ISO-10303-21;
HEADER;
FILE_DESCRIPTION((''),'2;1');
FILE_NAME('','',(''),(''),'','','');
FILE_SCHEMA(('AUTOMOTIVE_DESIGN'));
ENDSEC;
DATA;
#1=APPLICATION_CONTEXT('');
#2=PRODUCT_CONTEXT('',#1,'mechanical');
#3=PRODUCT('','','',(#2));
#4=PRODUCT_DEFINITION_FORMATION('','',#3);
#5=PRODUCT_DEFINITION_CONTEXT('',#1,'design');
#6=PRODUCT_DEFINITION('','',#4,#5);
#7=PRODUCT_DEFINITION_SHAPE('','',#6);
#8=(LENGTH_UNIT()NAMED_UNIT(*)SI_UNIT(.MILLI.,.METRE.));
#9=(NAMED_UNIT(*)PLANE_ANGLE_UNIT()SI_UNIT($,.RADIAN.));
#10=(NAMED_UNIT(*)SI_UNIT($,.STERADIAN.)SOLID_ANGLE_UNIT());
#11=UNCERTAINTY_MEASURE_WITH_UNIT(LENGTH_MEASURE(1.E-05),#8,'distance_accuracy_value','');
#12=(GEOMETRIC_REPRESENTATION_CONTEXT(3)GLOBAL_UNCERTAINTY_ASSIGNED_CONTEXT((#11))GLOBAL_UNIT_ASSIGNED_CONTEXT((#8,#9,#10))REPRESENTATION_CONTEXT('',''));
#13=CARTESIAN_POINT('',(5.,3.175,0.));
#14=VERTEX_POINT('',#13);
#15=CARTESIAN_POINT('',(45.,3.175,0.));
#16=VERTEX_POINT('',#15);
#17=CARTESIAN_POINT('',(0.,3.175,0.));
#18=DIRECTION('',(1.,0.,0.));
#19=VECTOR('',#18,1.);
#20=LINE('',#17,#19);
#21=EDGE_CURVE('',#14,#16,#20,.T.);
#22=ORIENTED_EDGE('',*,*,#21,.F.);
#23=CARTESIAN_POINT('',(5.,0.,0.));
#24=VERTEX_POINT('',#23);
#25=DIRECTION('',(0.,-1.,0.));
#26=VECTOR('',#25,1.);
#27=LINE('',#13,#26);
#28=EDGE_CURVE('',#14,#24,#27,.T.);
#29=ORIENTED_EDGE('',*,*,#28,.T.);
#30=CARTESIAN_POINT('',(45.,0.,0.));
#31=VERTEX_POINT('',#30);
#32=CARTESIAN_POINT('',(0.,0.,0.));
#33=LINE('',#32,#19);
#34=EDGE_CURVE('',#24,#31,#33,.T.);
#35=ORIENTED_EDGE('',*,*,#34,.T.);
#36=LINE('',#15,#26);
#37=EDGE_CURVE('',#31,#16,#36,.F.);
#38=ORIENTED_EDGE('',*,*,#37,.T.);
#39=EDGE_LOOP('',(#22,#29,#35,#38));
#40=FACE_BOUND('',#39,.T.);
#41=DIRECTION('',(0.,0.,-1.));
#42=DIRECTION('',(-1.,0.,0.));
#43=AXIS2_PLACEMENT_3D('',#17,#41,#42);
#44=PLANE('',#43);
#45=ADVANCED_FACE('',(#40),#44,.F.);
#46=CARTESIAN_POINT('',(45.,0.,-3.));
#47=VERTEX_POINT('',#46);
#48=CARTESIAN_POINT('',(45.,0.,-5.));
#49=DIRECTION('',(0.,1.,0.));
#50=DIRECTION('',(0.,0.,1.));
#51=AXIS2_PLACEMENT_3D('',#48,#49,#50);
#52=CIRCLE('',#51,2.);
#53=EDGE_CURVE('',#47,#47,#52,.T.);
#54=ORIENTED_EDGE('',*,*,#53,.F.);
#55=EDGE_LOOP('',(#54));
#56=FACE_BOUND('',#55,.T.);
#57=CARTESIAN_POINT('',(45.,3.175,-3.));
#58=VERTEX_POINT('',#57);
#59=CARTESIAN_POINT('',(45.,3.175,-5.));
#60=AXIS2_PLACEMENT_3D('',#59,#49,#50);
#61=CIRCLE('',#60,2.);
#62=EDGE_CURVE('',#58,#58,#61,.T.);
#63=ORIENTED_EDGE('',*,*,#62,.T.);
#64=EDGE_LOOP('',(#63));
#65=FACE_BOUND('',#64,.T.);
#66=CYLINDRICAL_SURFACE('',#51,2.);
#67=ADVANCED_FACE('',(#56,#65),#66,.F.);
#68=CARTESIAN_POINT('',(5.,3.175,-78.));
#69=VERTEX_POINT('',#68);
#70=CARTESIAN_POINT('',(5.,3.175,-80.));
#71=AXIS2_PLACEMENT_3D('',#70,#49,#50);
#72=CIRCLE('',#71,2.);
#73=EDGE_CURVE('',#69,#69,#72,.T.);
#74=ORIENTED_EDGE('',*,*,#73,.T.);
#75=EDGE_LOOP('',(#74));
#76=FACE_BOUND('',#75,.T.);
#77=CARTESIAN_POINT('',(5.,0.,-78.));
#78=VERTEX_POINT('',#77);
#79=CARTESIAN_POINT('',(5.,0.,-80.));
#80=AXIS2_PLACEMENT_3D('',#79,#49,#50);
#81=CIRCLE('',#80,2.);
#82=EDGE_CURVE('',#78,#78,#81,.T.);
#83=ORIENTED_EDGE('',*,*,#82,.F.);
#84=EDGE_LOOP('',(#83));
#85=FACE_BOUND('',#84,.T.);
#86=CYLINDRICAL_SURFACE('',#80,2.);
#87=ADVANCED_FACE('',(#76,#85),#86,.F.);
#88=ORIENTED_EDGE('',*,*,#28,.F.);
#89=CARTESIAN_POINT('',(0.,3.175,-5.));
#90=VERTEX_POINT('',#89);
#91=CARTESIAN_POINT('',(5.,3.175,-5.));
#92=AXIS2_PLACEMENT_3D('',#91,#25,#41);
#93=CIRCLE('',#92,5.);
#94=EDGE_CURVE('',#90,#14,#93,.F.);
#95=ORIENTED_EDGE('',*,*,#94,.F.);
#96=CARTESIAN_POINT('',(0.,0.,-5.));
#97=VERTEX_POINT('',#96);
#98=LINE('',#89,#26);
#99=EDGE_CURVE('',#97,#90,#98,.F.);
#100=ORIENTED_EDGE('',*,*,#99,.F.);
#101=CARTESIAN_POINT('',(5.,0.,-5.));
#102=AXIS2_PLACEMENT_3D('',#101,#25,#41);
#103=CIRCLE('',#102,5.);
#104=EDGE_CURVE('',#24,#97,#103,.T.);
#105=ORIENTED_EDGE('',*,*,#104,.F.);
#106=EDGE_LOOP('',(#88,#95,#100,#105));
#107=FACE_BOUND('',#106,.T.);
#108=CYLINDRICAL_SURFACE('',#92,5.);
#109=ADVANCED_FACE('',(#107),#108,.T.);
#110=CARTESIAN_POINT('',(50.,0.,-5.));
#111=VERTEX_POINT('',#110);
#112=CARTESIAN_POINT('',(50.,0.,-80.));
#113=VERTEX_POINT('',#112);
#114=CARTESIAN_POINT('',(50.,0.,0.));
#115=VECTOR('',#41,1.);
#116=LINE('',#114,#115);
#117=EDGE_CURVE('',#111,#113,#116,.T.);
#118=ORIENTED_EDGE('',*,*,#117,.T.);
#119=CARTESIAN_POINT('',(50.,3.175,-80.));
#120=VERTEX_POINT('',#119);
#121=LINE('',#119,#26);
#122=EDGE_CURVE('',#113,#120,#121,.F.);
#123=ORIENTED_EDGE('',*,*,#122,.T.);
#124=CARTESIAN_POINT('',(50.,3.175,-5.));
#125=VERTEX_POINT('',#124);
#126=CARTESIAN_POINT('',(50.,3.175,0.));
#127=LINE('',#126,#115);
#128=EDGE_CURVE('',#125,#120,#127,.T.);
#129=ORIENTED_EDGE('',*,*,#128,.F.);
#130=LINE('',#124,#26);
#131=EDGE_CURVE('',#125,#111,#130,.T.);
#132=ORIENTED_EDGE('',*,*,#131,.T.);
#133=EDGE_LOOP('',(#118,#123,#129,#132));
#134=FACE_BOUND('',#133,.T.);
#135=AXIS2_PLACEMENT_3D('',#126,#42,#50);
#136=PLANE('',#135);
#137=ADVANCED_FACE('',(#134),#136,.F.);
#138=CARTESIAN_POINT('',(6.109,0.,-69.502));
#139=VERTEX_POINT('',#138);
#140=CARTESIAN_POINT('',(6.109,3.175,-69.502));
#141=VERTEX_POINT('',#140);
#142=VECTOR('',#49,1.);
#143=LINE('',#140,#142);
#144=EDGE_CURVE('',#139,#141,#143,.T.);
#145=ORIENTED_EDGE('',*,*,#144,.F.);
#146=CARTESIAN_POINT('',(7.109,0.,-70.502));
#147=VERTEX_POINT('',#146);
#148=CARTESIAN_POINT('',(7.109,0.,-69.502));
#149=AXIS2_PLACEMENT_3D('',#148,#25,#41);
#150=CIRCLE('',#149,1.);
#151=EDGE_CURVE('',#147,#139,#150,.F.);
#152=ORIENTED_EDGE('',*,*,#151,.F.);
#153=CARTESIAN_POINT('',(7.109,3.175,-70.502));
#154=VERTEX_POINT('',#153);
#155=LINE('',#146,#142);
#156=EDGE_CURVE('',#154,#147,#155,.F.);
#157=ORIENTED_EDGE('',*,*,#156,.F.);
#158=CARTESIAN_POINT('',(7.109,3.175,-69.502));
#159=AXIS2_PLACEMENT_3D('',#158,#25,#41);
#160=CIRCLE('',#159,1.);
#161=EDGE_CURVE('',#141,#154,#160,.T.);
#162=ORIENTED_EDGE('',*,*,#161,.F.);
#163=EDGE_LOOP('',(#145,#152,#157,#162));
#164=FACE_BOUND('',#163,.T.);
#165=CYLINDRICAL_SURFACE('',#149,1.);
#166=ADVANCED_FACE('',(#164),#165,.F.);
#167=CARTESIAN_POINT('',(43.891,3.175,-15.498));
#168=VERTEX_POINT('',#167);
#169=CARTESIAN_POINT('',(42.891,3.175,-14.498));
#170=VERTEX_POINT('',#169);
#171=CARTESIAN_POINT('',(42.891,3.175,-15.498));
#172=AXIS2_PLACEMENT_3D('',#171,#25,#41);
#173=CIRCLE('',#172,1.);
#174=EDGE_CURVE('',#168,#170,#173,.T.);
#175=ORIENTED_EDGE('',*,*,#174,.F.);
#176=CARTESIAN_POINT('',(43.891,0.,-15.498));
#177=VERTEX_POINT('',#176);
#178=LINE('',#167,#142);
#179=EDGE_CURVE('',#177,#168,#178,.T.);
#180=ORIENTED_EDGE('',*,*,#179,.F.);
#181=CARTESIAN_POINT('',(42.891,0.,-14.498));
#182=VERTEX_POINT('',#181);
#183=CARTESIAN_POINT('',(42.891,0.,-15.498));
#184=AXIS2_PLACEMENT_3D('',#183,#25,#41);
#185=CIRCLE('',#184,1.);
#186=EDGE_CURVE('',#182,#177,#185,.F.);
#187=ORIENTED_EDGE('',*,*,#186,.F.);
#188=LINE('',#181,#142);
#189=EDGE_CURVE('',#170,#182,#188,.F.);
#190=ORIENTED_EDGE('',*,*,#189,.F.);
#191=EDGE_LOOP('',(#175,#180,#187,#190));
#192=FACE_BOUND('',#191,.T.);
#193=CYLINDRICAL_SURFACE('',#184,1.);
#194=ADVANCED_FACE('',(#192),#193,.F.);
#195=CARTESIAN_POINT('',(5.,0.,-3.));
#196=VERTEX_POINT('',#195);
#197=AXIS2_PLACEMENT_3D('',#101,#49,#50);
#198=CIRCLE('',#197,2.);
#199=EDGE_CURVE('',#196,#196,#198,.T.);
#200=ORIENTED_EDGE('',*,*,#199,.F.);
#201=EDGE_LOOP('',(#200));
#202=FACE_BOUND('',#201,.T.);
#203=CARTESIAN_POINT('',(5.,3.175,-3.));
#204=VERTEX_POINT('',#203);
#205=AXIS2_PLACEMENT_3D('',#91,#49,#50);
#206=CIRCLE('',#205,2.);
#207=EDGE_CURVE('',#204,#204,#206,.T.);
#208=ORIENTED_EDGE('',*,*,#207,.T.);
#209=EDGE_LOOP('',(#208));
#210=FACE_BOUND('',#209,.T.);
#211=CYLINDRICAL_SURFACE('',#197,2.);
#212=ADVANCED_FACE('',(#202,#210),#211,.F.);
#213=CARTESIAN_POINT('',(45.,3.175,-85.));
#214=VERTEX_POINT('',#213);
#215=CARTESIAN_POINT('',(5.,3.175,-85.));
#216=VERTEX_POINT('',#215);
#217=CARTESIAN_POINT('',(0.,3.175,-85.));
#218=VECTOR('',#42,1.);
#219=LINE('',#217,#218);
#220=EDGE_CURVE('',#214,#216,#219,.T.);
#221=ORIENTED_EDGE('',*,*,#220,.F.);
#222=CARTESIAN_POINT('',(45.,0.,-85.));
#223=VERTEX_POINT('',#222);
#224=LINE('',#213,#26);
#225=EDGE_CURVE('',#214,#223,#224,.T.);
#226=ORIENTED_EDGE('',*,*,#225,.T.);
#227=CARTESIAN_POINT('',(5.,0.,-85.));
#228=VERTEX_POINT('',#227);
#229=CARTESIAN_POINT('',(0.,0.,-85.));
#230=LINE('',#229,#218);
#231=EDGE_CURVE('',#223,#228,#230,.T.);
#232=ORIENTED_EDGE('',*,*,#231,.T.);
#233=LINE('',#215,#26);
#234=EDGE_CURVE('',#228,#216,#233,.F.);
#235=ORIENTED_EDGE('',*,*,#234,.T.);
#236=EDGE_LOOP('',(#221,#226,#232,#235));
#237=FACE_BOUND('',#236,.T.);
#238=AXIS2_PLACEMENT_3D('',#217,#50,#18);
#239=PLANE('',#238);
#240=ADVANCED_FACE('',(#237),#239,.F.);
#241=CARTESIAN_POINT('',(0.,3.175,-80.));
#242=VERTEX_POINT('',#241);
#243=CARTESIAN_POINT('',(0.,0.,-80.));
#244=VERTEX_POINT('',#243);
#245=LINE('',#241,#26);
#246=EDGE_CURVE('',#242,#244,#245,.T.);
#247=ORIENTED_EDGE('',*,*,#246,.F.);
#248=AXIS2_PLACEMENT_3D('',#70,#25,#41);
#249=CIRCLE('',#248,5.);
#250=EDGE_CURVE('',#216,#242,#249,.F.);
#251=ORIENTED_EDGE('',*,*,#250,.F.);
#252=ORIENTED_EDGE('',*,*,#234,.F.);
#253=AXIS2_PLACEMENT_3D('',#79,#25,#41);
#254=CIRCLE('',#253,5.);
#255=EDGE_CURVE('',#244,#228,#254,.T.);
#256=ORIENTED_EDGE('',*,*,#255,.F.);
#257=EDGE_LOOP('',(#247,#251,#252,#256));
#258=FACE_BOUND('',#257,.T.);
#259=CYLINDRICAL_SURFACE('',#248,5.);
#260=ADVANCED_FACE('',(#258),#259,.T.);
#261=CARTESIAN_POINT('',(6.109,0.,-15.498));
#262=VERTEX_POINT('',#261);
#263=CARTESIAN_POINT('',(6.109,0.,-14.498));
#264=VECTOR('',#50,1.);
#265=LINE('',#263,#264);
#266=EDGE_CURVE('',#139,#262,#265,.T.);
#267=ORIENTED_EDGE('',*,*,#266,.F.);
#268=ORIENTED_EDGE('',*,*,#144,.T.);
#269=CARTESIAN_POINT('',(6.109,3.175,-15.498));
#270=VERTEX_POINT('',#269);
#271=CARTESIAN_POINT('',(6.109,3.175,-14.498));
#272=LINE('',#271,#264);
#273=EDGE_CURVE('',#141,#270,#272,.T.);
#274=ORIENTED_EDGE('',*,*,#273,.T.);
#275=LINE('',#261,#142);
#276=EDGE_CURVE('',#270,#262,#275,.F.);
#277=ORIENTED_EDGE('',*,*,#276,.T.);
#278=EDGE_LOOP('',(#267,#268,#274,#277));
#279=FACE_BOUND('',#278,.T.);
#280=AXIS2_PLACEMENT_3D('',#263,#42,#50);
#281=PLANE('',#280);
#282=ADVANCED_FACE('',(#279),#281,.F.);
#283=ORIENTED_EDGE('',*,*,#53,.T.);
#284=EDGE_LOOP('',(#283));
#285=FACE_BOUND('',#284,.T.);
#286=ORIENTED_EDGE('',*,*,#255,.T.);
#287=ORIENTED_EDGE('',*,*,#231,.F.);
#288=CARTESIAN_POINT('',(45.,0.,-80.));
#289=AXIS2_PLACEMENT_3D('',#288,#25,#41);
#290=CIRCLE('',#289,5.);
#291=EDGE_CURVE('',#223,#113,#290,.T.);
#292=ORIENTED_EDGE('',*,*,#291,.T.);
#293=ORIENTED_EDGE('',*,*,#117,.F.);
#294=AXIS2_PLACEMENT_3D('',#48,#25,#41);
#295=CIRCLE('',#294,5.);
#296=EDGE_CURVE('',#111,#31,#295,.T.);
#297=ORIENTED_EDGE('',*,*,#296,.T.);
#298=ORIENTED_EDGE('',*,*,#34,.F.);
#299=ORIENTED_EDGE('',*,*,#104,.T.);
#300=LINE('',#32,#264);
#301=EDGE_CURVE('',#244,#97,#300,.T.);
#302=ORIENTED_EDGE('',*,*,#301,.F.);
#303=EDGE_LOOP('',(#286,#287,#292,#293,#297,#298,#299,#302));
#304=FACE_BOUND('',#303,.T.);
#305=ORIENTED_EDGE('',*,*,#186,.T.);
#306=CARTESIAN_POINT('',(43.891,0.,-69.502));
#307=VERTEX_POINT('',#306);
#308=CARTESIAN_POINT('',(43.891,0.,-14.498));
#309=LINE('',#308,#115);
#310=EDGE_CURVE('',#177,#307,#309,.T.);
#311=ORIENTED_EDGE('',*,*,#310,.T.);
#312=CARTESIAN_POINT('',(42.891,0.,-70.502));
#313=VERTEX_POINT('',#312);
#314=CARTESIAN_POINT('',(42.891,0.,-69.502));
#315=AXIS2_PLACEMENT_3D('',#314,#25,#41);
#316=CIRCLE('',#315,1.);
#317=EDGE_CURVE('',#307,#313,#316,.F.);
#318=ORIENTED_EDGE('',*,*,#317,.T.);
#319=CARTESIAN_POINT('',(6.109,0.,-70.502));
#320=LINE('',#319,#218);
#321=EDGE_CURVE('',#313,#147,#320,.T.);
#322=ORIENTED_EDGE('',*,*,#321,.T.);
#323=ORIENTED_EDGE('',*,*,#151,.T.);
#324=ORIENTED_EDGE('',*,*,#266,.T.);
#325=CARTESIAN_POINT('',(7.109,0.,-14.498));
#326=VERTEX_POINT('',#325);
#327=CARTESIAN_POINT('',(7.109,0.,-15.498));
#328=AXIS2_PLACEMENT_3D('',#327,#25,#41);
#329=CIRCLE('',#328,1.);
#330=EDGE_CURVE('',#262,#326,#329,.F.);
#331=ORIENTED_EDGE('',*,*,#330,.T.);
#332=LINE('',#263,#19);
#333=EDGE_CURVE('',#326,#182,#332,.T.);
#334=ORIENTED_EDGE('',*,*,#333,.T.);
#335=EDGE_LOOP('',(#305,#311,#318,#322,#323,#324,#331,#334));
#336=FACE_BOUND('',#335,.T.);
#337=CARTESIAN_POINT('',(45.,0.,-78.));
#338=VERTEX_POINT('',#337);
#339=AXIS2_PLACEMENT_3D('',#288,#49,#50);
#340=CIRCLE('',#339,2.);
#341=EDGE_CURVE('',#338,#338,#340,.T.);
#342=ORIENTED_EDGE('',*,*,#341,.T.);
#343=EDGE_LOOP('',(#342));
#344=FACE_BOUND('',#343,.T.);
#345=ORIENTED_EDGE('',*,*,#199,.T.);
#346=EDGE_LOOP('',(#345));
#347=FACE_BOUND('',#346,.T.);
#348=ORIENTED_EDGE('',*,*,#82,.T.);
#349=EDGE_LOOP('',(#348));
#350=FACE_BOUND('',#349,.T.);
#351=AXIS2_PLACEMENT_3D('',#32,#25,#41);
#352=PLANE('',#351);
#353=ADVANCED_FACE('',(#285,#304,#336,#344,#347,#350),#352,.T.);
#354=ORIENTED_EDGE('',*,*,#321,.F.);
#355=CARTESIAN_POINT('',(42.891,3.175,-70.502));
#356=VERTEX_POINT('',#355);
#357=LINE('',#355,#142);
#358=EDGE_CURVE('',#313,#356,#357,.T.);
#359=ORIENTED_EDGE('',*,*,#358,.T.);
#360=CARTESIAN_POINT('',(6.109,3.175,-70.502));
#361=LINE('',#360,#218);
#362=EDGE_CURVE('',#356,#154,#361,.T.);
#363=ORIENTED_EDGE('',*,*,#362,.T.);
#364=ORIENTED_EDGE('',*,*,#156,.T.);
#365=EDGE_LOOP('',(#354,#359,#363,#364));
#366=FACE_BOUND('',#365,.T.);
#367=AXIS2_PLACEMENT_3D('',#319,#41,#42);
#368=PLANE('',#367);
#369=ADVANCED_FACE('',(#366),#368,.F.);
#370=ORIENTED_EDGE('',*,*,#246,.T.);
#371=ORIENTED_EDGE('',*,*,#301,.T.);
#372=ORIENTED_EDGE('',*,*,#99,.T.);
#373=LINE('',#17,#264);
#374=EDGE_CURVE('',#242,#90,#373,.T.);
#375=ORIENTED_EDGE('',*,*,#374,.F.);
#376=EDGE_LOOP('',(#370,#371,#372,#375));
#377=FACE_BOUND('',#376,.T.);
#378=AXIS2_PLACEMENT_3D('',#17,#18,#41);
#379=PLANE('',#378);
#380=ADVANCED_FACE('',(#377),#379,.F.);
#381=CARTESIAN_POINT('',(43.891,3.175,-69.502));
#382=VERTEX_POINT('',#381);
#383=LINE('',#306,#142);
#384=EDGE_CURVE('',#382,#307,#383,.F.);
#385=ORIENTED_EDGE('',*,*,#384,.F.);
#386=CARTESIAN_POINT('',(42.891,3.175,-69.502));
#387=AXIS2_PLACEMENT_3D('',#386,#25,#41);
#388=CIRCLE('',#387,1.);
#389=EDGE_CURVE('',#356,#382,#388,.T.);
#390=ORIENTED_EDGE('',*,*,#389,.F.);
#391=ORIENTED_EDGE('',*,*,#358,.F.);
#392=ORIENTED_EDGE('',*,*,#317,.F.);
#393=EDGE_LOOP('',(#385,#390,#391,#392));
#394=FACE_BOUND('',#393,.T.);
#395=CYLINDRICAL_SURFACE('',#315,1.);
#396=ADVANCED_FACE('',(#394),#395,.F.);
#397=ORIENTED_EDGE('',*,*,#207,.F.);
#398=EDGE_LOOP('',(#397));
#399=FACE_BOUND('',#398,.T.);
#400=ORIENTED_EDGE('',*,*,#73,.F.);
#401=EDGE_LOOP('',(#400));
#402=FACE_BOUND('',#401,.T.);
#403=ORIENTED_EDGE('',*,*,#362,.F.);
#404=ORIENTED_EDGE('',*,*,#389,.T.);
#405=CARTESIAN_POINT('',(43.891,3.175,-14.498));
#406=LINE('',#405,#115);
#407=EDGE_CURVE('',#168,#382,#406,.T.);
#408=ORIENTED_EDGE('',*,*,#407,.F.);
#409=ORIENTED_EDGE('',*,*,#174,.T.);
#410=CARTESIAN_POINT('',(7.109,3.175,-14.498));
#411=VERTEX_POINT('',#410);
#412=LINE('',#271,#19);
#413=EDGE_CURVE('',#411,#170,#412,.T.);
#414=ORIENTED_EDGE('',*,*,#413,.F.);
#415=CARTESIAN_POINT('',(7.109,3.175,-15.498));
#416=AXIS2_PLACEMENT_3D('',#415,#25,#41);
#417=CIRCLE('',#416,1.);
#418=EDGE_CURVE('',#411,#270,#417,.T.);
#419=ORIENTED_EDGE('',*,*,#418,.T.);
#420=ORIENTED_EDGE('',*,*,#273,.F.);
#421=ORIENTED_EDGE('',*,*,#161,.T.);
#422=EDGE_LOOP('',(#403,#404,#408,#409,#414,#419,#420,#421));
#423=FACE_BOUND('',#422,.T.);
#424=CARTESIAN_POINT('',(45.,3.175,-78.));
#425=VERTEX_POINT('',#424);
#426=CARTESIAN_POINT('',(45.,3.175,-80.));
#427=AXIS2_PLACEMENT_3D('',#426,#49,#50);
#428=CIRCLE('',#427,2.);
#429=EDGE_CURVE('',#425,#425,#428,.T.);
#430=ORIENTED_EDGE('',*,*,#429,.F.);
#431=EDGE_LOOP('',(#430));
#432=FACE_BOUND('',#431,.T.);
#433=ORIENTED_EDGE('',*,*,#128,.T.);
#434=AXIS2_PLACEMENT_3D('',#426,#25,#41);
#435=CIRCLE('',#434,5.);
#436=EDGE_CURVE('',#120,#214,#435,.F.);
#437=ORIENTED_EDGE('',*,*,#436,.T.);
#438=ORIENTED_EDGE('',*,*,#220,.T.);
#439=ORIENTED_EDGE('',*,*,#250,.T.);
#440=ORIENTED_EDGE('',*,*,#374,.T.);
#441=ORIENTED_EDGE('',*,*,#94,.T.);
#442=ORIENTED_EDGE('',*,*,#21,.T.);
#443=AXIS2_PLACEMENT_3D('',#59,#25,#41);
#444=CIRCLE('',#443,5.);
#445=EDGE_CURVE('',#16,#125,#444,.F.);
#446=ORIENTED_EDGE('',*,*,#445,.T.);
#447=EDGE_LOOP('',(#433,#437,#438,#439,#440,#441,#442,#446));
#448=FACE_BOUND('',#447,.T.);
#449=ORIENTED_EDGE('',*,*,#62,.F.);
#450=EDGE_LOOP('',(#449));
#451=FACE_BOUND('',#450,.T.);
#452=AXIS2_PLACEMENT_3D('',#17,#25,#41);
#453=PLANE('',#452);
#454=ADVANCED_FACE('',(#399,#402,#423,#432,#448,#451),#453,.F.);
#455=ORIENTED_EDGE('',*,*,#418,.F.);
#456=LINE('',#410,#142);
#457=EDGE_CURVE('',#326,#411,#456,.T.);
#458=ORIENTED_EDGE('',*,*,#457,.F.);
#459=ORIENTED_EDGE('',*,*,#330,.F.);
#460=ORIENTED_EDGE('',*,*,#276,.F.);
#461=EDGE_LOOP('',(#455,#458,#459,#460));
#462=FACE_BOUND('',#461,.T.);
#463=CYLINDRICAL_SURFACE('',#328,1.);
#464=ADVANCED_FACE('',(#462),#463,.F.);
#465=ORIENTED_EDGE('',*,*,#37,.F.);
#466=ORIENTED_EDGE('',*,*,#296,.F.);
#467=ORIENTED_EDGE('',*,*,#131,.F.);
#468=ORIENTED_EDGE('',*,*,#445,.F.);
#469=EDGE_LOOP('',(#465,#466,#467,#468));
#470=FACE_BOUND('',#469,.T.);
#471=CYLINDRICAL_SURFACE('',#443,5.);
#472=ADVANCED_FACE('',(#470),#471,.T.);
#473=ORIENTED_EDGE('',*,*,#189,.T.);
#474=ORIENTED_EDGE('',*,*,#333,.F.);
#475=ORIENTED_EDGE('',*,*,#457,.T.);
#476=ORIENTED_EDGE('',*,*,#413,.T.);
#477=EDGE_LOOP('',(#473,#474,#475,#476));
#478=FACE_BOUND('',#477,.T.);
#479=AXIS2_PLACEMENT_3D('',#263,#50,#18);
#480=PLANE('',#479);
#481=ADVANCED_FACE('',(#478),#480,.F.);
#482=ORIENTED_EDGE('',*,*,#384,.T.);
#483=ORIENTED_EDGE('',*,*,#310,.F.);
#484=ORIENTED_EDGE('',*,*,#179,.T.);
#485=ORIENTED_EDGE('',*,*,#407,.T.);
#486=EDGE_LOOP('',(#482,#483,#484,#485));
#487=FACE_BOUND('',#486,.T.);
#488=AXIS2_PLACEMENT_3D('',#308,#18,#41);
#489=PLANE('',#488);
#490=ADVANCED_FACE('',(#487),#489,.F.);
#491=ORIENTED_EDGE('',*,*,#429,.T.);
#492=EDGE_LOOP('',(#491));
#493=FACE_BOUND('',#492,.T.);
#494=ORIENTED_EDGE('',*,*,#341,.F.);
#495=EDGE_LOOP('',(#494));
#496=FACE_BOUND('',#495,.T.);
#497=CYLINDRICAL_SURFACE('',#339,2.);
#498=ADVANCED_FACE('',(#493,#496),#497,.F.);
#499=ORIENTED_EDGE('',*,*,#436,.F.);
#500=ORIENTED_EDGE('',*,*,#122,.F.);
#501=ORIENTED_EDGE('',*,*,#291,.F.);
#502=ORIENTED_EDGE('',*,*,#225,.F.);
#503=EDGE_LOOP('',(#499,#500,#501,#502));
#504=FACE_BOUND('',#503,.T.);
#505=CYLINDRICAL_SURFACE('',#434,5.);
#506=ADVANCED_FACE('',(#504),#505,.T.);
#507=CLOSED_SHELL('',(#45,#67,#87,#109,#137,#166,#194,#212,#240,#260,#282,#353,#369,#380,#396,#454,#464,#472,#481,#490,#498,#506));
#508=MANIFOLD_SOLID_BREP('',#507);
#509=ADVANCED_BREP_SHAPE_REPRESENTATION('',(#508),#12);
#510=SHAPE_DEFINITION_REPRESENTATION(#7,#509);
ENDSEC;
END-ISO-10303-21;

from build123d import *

# Parameters (mm, degrees)
SKETCH1_W           = 50
SKETCH1_H           = 85
BOSS_EXTRUDE1_DEPTH = 3.175
SKETCH3_W           = 37.782
SKETCH3_H           = 56.004
CUT_EXTRUDE1_DEPTH  = 99.666512176
FILLET2_R           = 1
FILLET3_R           = 5
SKETCH4_R           = 2
CUT_EXTRUDE2_DEPTH  = 99.666512176


with BuildPart() as part:
    # Sketch1 → Boss-Extrude1 (new body)
    with BuildSketch(Plane(origin=(0, 0, 0), x_dir=(1, 0, 0), z_dir=(0, 1, 0))):
        with Locations((25, 42.5)):
            Rectangle(SKETCH1_W, SKETCH1_H)
    extrude(amount=BOSS_EXTRUDE1_DEPTH)

    # Sketch3 → Cut-Extrude1 (cut, through all)
    with BuildSketch(Plane(origin=(0, 3.175, 0), x_dir=(1, 0, 0), z_dir=(0, 1, 0))):
        with Locations((25, 42.5)):
            Rectangle(SKETCH3_W, SKETCH3_H)
    extrude(amount=-CUT_EXTRUDE1_DEPTH, mode=Mode.SUBTRACT)

    # Fillet2
    fillet2_edges = [part.edges().sort_by_distance(p)[0] for p in [
        (6.109, 1.5875, -14.498),
        (6.109, 1.5875, -70.502),
        (43.891, 1.5875, -70.502),
        (43.891, 1.5875, -14.498),
    ]]
    fillet(fillet2_edges, radius=FILLET2_R)

    # Fillet3
    fillet3_edges = [part.edges().sort_by_distance(p)[0] for p in [
        (0, 1.5875, -85),
        (50, 1.5875, -85),
        (50, 1.5875, 0),
        (0, 1.5875, 0),
    ]]
    fillet(fillet3_edges, radius=FILLET3_R)

    # Sketch4 → Cut-Extrude2 (cut, through all)
    with BuildSketch(Plane(origin=(0, 3.175, 0), x_dir=(1, 0, 0), z_dir=(0, 1, 0))):
        with Locations(Location((5, 5, 0), (0, 0, 270))):
            Circle(SKETCH4_R)
        with Locations(Location((45, 5, 0), (0, 0, 270))):
            Circle(SKETCH4_R)
        with Locations(Location((45, 80, 0), (0, 0, 270))):
            Circle(SKETCH4_R)
        with Locations(Location((5, 80, 0), (0, 0, 270))):
            Circle(SKETCH4_R)
    extrude(amount=-CUT_EXTRUDE2_DEPTH, mode=Mode.SUBTRACT)


solid = part.part
